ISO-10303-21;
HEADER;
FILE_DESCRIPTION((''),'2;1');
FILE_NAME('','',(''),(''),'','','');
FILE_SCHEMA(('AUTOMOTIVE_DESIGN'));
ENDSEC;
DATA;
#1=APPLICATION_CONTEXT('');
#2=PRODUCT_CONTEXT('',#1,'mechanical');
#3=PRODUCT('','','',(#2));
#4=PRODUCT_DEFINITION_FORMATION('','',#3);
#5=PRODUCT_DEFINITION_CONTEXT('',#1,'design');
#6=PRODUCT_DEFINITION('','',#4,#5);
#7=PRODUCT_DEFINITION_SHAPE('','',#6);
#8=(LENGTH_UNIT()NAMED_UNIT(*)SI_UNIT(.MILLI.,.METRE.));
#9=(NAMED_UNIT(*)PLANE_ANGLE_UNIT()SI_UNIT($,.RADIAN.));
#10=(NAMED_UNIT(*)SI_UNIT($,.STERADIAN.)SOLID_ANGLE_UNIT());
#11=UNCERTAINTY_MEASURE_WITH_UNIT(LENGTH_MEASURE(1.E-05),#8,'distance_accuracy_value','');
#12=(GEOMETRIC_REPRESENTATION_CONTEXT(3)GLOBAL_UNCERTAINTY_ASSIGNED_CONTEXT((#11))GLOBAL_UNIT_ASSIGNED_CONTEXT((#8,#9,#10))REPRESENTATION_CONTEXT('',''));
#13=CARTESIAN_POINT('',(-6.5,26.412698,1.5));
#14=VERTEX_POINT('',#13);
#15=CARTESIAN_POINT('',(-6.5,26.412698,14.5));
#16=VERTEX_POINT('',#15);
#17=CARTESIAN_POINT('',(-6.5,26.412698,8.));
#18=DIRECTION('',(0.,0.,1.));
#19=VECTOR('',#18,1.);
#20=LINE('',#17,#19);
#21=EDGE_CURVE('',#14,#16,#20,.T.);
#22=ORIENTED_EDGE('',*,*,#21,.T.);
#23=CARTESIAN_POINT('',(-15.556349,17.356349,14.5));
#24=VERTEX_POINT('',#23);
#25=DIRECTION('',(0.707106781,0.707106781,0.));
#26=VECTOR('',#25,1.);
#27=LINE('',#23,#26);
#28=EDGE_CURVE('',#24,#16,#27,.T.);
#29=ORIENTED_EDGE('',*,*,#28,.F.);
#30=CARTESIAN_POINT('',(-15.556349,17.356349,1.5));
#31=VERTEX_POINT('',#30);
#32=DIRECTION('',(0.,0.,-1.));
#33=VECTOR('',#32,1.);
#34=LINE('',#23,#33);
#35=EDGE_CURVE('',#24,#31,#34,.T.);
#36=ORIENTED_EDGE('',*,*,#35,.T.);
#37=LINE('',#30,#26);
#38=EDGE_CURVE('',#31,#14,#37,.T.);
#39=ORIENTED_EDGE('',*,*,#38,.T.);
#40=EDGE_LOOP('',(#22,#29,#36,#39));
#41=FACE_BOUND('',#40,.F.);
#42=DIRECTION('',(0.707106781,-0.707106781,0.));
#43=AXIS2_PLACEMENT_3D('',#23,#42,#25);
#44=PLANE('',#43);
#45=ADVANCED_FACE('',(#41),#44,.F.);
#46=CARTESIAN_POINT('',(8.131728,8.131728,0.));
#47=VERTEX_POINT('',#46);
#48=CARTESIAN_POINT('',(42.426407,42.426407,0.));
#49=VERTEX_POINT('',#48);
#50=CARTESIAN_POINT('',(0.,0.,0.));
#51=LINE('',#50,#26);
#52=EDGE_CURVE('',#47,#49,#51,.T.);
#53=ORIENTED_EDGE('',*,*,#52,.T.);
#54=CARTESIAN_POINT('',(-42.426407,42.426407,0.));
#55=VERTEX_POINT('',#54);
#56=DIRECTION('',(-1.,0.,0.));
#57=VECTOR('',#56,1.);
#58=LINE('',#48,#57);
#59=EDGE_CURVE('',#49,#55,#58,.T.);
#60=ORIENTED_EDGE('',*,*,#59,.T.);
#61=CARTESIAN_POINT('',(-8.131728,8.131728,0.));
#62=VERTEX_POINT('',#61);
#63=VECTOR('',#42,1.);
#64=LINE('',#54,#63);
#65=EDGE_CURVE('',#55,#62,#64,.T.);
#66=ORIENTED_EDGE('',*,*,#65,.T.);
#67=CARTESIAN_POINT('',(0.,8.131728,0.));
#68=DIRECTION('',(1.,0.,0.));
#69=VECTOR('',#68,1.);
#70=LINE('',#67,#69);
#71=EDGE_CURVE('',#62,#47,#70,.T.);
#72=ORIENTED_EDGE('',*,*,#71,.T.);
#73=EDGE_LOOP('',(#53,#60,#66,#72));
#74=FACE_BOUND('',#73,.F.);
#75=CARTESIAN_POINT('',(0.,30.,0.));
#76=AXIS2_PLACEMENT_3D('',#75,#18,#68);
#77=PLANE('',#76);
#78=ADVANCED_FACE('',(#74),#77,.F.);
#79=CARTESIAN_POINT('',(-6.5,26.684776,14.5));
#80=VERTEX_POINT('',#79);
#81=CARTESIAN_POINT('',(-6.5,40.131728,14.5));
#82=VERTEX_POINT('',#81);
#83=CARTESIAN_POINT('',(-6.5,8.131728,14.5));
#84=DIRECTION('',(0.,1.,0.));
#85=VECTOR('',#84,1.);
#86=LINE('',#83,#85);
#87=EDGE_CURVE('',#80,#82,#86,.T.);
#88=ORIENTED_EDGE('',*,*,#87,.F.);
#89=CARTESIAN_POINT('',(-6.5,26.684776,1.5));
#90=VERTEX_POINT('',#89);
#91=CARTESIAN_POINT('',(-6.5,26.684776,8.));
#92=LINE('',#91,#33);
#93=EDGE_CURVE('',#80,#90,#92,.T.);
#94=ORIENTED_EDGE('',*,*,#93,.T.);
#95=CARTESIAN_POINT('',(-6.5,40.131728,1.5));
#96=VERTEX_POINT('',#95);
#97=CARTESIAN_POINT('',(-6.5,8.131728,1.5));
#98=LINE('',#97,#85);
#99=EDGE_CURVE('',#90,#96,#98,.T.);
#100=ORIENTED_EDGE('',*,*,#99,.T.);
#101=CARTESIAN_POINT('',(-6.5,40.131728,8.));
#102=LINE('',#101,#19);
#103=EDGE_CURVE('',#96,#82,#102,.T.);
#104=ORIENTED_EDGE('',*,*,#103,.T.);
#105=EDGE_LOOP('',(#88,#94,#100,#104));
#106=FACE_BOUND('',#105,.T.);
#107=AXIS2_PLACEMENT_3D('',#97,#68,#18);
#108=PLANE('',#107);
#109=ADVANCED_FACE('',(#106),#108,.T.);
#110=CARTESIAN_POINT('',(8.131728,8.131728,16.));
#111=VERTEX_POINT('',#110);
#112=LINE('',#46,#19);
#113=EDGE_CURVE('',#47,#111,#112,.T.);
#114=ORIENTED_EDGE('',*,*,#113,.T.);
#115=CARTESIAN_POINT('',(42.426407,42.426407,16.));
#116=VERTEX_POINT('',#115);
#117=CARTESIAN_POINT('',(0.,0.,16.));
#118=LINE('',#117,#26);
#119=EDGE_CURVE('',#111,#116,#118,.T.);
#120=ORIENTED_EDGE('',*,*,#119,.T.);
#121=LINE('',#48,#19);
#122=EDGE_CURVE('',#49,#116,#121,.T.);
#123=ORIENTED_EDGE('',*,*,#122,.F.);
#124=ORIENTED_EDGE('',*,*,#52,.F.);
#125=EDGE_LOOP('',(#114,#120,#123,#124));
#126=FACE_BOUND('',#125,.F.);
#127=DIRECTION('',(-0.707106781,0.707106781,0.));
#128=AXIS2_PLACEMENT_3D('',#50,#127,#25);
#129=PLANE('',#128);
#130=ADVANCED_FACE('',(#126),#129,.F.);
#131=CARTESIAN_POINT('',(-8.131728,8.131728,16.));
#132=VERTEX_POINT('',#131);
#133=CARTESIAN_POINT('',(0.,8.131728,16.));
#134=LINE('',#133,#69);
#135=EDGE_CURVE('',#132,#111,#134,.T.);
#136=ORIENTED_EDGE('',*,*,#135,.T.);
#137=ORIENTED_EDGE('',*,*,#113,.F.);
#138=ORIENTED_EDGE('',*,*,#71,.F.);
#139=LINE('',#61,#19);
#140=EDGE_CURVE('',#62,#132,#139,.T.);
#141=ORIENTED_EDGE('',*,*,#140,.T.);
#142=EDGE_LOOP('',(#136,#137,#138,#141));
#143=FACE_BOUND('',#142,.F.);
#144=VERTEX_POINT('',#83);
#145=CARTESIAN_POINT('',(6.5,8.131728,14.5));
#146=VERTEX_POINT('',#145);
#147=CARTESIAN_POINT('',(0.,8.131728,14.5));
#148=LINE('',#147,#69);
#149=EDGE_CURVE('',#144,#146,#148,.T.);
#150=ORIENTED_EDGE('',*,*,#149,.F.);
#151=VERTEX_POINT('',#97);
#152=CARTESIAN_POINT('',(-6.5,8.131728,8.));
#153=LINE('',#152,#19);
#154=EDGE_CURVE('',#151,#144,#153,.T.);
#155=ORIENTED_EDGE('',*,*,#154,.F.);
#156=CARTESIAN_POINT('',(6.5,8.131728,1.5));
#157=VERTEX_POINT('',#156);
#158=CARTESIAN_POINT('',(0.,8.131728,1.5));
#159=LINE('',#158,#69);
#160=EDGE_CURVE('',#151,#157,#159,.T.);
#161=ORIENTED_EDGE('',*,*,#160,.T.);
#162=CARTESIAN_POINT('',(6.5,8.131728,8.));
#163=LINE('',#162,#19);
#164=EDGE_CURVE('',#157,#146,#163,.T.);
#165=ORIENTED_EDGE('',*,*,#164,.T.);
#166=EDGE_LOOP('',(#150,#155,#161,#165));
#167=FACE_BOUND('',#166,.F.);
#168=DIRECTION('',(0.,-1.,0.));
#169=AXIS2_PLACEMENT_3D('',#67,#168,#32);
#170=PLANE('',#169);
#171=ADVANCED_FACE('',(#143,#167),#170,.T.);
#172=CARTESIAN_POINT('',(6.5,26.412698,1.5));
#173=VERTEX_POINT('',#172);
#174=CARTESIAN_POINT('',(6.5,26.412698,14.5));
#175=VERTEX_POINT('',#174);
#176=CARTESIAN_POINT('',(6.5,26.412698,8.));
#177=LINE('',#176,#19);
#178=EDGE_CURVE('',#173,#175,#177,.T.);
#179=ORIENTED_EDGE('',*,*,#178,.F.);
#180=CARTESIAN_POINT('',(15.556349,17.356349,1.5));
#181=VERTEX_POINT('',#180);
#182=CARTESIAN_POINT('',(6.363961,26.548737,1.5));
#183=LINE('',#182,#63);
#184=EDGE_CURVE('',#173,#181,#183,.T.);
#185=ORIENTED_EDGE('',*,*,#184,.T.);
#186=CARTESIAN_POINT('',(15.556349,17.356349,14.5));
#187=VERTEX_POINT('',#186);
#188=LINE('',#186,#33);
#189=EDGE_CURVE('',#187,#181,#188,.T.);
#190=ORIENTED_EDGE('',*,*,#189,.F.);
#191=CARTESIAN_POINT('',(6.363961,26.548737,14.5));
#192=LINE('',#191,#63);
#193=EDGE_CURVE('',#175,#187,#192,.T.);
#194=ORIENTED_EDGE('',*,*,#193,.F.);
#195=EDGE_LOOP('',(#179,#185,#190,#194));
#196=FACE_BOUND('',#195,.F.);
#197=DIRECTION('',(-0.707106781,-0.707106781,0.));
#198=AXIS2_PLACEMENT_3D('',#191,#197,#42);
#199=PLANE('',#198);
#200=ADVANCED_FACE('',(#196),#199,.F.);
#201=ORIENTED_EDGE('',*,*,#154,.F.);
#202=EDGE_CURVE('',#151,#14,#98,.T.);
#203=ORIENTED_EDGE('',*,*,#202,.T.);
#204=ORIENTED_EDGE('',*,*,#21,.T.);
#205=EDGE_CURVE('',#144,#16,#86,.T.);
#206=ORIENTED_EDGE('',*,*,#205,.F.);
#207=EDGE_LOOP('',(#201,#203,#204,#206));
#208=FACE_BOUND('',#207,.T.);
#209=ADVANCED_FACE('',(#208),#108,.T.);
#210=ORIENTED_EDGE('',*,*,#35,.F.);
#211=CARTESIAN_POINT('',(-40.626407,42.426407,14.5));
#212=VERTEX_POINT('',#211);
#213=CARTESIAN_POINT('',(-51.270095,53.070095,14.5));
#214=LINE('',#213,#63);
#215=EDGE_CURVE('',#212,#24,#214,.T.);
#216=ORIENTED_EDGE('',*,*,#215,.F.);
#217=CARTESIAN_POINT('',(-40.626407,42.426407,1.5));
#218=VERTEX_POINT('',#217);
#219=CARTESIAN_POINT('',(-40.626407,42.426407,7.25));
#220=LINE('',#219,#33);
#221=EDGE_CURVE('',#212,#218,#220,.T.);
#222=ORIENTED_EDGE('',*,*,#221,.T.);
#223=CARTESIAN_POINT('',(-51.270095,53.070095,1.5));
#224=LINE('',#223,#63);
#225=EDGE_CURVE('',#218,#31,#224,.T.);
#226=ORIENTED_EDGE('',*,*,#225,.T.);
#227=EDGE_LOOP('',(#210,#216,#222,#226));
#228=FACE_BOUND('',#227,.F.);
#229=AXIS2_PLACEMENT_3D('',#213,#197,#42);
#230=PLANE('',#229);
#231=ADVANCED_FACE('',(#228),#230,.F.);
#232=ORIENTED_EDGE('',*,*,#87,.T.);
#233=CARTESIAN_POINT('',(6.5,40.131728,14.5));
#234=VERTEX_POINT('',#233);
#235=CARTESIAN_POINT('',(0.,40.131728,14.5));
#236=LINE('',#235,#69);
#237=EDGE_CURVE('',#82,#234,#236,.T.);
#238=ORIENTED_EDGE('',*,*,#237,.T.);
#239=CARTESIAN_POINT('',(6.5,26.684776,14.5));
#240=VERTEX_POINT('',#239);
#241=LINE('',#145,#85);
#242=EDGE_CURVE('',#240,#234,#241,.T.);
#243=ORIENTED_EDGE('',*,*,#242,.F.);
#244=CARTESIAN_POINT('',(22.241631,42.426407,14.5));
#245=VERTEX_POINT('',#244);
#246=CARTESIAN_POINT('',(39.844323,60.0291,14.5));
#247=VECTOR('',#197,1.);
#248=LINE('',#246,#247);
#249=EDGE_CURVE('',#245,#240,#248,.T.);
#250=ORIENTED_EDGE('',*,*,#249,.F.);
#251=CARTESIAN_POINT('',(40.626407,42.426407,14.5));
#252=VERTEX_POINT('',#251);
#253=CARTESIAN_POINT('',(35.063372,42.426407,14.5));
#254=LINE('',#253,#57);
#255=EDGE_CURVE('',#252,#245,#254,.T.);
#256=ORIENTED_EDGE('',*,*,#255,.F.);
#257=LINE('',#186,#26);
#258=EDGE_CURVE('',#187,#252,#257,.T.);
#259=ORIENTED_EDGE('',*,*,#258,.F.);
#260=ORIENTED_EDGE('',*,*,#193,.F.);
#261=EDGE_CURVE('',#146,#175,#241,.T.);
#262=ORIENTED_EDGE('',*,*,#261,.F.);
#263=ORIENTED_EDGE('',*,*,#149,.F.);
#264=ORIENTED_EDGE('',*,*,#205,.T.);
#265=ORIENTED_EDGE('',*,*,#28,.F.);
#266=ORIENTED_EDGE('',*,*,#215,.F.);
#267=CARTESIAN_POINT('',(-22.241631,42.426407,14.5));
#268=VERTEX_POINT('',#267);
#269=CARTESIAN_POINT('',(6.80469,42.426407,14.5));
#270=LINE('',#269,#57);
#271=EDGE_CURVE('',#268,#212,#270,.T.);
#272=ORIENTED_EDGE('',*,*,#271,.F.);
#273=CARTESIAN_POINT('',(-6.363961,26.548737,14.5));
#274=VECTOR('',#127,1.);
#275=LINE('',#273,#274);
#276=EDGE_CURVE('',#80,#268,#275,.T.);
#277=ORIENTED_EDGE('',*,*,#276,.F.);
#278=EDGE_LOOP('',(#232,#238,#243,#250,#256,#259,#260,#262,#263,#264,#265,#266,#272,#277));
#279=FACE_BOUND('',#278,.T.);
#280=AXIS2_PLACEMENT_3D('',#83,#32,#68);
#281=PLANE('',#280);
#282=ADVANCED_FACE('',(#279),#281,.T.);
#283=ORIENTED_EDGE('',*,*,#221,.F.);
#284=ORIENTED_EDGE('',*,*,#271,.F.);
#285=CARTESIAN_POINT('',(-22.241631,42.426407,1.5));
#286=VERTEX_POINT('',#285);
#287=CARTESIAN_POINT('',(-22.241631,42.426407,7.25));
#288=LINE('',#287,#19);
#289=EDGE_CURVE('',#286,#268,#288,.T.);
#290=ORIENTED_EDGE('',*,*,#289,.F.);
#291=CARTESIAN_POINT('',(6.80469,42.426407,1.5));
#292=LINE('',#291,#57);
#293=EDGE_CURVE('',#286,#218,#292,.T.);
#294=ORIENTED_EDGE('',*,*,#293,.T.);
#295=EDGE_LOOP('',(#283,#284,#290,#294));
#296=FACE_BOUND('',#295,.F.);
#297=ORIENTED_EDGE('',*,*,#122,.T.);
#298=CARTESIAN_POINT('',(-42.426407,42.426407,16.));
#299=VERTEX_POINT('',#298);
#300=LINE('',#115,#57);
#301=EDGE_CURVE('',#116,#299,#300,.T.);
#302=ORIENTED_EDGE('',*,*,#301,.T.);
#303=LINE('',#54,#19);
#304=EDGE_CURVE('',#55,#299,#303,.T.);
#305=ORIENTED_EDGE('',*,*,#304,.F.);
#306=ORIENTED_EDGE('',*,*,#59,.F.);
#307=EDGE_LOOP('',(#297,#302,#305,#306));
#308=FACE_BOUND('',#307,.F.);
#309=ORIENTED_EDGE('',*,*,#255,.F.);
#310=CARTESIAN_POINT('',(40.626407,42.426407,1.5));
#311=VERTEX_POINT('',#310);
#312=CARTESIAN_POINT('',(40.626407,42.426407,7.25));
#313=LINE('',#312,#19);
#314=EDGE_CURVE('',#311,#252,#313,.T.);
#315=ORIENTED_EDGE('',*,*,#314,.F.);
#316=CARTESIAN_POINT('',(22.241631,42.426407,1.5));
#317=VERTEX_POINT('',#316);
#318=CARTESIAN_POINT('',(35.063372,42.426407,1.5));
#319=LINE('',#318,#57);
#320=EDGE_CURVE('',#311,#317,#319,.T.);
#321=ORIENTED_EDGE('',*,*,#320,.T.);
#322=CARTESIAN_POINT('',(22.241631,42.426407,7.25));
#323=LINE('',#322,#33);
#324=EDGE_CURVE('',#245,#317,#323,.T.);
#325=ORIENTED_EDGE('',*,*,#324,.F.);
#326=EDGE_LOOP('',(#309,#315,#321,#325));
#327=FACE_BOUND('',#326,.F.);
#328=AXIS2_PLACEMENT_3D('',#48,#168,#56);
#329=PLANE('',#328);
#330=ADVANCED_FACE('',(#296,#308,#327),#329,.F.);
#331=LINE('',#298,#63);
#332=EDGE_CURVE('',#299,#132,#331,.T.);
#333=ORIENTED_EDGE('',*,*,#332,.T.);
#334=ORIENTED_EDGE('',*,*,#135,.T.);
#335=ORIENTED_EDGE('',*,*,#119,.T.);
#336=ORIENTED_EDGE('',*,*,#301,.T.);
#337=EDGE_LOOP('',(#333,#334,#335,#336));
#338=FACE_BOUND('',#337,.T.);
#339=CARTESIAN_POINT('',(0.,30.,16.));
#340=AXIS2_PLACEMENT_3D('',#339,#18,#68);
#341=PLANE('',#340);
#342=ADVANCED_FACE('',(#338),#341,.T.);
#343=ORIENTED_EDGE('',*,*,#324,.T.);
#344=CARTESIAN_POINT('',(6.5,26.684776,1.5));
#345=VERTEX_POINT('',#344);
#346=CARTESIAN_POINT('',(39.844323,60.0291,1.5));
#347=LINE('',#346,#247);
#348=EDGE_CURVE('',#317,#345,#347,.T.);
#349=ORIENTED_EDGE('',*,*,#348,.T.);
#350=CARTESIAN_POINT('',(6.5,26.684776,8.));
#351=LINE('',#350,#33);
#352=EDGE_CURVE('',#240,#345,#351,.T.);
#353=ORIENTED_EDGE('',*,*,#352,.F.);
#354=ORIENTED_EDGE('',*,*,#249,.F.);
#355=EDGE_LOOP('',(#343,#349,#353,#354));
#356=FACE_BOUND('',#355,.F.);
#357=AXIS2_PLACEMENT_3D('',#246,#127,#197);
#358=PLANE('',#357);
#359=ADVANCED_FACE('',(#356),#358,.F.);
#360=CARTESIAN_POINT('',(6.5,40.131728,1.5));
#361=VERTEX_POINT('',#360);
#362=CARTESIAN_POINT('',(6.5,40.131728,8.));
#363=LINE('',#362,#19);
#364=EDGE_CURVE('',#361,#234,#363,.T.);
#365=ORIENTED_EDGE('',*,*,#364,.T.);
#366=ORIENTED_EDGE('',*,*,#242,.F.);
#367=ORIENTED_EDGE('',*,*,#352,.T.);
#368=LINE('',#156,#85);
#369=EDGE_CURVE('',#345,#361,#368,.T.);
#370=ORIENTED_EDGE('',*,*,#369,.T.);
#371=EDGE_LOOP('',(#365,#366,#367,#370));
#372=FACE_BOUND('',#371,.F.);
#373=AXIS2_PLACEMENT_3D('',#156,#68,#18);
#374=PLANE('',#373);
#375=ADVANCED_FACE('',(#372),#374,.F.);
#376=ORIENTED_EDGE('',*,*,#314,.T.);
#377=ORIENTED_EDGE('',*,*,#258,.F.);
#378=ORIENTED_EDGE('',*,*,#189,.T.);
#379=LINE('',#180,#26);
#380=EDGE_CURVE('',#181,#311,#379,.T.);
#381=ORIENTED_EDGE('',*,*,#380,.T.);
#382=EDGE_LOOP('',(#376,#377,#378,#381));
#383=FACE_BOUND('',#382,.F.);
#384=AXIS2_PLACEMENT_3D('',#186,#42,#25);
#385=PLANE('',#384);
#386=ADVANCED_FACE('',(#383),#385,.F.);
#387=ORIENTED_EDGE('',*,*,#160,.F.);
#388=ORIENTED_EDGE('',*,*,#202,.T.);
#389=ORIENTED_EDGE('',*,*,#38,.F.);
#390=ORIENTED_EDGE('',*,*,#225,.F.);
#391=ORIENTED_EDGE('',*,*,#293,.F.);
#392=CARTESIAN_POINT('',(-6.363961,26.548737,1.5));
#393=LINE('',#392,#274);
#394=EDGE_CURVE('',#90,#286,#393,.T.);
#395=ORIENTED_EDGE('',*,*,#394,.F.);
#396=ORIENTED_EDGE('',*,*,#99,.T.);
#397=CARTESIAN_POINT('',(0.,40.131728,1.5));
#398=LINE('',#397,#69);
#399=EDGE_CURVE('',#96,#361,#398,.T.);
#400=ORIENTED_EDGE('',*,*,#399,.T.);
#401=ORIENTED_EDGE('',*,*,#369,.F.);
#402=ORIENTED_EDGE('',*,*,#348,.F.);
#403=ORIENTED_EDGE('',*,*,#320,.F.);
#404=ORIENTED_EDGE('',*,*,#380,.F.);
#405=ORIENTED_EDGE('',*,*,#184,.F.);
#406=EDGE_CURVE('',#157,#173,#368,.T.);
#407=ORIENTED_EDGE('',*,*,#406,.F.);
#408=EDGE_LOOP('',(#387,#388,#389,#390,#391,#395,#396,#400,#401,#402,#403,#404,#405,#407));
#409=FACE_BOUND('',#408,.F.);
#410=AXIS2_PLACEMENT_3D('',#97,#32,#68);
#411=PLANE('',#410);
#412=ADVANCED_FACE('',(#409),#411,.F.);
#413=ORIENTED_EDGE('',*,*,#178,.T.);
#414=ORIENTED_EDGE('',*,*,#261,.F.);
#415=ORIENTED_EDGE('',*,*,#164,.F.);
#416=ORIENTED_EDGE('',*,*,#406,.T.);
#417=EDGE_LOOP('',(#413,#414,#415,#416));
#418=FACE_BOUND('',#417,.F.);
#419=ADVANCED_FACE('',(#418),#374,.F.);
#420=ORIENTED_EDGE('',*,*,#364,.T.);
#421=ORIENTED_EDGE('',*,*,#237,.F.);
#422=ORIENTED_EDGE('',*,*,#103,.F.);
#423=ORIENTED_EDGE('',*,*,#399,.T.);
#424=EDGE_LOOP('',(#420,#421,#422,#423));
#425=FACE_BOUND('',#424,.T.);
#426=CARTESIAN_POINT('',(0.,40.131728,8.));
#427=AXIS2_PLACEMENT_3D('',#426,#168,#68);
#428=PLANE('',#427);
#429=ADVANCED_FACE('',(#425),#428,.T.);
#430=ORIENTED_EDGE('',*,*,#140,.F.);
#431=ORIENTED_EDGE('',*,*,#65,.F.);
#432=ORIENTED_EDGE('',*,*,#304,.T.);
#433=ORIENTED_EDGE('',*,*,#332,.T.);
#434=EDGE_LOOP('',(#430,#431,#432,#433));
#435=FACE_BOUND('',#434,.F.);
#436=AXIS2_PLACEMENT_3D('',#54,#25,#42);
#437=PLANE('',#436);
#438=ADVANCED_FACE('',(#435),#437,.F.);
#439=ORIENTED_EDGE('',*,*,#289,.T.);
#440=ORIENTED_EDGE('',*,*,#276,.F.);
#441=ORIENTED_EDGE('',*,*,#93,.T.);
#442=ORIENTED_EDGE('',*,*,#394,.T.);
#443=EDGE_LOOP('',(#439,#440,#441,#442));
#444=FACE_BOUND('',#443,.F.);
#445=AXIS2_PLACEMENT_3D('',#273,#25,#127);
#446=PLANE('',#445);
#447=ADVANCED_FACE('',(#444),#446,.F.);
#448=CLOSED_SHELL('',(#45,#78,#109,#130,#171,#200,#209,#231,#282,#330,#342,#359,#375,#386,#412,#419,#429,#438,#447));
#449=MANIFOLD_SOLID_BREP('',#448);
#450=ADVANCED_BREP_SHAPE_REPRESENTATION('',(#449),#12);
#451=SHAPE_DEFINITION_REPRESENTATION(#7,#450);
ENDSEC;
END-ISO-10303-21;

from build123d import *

# Parameters (mm, degrees)
F1_DEPTH = 16
F3_START = -1.5
F3_DEPTH = 13
F4_SIZE  = 11.5
F5_W     = 13
F5_H     = 13
F6_DEPTH = 32


with BuildPart() as f1:
    # F0 (on Top) → F1 (new body)
    with BuildSketch(Plane.XY):
        Polygon((-42.4264068712, 42.4264068712), (0, 0), (42.4264068712, 42.4264068712), align=None)
    extrude(amount=F1_DEPTH)

    # F2 (on face) → F3 (cut)
    with BuildSketch(Plane.XY.offset(16).offset(F3_START)):
        Polygon((-51.2700945749, 53.0700945749), (-15.5563491861, 17.3563491861), (-6.3639610307, 26.5487373415), (-42.0777064195, 62.2624827303), align=None)
        Polygon((6.3639610307, 26.5487373415), (15.5563491861, 17.3563491861), (49.0367116487, 50.8367116487), (39.8443234933, 60.0290998041), align=None)
    extrude(amount=-F3_DEPTH, mode=Mode.SUBTRACT)

    # F4
    f4_edges = [f1.edges().sort_by_distance(p)[0] for p in [
        (0, 0, 8),
    ]]
    chamfer(f4_edges, length=F4_SIZE)

    # F5 (on face) → F6 (cut)
    with BuildSketch(Plane.XZ.offset(-8.1317279836)):
        with Locations((0, 8)):
            Rectangle(F5_W, F5_H)
    extrude(amount=-F6_DEPTH, mode=Mode.SUBTRACT)


solid = f1.part
